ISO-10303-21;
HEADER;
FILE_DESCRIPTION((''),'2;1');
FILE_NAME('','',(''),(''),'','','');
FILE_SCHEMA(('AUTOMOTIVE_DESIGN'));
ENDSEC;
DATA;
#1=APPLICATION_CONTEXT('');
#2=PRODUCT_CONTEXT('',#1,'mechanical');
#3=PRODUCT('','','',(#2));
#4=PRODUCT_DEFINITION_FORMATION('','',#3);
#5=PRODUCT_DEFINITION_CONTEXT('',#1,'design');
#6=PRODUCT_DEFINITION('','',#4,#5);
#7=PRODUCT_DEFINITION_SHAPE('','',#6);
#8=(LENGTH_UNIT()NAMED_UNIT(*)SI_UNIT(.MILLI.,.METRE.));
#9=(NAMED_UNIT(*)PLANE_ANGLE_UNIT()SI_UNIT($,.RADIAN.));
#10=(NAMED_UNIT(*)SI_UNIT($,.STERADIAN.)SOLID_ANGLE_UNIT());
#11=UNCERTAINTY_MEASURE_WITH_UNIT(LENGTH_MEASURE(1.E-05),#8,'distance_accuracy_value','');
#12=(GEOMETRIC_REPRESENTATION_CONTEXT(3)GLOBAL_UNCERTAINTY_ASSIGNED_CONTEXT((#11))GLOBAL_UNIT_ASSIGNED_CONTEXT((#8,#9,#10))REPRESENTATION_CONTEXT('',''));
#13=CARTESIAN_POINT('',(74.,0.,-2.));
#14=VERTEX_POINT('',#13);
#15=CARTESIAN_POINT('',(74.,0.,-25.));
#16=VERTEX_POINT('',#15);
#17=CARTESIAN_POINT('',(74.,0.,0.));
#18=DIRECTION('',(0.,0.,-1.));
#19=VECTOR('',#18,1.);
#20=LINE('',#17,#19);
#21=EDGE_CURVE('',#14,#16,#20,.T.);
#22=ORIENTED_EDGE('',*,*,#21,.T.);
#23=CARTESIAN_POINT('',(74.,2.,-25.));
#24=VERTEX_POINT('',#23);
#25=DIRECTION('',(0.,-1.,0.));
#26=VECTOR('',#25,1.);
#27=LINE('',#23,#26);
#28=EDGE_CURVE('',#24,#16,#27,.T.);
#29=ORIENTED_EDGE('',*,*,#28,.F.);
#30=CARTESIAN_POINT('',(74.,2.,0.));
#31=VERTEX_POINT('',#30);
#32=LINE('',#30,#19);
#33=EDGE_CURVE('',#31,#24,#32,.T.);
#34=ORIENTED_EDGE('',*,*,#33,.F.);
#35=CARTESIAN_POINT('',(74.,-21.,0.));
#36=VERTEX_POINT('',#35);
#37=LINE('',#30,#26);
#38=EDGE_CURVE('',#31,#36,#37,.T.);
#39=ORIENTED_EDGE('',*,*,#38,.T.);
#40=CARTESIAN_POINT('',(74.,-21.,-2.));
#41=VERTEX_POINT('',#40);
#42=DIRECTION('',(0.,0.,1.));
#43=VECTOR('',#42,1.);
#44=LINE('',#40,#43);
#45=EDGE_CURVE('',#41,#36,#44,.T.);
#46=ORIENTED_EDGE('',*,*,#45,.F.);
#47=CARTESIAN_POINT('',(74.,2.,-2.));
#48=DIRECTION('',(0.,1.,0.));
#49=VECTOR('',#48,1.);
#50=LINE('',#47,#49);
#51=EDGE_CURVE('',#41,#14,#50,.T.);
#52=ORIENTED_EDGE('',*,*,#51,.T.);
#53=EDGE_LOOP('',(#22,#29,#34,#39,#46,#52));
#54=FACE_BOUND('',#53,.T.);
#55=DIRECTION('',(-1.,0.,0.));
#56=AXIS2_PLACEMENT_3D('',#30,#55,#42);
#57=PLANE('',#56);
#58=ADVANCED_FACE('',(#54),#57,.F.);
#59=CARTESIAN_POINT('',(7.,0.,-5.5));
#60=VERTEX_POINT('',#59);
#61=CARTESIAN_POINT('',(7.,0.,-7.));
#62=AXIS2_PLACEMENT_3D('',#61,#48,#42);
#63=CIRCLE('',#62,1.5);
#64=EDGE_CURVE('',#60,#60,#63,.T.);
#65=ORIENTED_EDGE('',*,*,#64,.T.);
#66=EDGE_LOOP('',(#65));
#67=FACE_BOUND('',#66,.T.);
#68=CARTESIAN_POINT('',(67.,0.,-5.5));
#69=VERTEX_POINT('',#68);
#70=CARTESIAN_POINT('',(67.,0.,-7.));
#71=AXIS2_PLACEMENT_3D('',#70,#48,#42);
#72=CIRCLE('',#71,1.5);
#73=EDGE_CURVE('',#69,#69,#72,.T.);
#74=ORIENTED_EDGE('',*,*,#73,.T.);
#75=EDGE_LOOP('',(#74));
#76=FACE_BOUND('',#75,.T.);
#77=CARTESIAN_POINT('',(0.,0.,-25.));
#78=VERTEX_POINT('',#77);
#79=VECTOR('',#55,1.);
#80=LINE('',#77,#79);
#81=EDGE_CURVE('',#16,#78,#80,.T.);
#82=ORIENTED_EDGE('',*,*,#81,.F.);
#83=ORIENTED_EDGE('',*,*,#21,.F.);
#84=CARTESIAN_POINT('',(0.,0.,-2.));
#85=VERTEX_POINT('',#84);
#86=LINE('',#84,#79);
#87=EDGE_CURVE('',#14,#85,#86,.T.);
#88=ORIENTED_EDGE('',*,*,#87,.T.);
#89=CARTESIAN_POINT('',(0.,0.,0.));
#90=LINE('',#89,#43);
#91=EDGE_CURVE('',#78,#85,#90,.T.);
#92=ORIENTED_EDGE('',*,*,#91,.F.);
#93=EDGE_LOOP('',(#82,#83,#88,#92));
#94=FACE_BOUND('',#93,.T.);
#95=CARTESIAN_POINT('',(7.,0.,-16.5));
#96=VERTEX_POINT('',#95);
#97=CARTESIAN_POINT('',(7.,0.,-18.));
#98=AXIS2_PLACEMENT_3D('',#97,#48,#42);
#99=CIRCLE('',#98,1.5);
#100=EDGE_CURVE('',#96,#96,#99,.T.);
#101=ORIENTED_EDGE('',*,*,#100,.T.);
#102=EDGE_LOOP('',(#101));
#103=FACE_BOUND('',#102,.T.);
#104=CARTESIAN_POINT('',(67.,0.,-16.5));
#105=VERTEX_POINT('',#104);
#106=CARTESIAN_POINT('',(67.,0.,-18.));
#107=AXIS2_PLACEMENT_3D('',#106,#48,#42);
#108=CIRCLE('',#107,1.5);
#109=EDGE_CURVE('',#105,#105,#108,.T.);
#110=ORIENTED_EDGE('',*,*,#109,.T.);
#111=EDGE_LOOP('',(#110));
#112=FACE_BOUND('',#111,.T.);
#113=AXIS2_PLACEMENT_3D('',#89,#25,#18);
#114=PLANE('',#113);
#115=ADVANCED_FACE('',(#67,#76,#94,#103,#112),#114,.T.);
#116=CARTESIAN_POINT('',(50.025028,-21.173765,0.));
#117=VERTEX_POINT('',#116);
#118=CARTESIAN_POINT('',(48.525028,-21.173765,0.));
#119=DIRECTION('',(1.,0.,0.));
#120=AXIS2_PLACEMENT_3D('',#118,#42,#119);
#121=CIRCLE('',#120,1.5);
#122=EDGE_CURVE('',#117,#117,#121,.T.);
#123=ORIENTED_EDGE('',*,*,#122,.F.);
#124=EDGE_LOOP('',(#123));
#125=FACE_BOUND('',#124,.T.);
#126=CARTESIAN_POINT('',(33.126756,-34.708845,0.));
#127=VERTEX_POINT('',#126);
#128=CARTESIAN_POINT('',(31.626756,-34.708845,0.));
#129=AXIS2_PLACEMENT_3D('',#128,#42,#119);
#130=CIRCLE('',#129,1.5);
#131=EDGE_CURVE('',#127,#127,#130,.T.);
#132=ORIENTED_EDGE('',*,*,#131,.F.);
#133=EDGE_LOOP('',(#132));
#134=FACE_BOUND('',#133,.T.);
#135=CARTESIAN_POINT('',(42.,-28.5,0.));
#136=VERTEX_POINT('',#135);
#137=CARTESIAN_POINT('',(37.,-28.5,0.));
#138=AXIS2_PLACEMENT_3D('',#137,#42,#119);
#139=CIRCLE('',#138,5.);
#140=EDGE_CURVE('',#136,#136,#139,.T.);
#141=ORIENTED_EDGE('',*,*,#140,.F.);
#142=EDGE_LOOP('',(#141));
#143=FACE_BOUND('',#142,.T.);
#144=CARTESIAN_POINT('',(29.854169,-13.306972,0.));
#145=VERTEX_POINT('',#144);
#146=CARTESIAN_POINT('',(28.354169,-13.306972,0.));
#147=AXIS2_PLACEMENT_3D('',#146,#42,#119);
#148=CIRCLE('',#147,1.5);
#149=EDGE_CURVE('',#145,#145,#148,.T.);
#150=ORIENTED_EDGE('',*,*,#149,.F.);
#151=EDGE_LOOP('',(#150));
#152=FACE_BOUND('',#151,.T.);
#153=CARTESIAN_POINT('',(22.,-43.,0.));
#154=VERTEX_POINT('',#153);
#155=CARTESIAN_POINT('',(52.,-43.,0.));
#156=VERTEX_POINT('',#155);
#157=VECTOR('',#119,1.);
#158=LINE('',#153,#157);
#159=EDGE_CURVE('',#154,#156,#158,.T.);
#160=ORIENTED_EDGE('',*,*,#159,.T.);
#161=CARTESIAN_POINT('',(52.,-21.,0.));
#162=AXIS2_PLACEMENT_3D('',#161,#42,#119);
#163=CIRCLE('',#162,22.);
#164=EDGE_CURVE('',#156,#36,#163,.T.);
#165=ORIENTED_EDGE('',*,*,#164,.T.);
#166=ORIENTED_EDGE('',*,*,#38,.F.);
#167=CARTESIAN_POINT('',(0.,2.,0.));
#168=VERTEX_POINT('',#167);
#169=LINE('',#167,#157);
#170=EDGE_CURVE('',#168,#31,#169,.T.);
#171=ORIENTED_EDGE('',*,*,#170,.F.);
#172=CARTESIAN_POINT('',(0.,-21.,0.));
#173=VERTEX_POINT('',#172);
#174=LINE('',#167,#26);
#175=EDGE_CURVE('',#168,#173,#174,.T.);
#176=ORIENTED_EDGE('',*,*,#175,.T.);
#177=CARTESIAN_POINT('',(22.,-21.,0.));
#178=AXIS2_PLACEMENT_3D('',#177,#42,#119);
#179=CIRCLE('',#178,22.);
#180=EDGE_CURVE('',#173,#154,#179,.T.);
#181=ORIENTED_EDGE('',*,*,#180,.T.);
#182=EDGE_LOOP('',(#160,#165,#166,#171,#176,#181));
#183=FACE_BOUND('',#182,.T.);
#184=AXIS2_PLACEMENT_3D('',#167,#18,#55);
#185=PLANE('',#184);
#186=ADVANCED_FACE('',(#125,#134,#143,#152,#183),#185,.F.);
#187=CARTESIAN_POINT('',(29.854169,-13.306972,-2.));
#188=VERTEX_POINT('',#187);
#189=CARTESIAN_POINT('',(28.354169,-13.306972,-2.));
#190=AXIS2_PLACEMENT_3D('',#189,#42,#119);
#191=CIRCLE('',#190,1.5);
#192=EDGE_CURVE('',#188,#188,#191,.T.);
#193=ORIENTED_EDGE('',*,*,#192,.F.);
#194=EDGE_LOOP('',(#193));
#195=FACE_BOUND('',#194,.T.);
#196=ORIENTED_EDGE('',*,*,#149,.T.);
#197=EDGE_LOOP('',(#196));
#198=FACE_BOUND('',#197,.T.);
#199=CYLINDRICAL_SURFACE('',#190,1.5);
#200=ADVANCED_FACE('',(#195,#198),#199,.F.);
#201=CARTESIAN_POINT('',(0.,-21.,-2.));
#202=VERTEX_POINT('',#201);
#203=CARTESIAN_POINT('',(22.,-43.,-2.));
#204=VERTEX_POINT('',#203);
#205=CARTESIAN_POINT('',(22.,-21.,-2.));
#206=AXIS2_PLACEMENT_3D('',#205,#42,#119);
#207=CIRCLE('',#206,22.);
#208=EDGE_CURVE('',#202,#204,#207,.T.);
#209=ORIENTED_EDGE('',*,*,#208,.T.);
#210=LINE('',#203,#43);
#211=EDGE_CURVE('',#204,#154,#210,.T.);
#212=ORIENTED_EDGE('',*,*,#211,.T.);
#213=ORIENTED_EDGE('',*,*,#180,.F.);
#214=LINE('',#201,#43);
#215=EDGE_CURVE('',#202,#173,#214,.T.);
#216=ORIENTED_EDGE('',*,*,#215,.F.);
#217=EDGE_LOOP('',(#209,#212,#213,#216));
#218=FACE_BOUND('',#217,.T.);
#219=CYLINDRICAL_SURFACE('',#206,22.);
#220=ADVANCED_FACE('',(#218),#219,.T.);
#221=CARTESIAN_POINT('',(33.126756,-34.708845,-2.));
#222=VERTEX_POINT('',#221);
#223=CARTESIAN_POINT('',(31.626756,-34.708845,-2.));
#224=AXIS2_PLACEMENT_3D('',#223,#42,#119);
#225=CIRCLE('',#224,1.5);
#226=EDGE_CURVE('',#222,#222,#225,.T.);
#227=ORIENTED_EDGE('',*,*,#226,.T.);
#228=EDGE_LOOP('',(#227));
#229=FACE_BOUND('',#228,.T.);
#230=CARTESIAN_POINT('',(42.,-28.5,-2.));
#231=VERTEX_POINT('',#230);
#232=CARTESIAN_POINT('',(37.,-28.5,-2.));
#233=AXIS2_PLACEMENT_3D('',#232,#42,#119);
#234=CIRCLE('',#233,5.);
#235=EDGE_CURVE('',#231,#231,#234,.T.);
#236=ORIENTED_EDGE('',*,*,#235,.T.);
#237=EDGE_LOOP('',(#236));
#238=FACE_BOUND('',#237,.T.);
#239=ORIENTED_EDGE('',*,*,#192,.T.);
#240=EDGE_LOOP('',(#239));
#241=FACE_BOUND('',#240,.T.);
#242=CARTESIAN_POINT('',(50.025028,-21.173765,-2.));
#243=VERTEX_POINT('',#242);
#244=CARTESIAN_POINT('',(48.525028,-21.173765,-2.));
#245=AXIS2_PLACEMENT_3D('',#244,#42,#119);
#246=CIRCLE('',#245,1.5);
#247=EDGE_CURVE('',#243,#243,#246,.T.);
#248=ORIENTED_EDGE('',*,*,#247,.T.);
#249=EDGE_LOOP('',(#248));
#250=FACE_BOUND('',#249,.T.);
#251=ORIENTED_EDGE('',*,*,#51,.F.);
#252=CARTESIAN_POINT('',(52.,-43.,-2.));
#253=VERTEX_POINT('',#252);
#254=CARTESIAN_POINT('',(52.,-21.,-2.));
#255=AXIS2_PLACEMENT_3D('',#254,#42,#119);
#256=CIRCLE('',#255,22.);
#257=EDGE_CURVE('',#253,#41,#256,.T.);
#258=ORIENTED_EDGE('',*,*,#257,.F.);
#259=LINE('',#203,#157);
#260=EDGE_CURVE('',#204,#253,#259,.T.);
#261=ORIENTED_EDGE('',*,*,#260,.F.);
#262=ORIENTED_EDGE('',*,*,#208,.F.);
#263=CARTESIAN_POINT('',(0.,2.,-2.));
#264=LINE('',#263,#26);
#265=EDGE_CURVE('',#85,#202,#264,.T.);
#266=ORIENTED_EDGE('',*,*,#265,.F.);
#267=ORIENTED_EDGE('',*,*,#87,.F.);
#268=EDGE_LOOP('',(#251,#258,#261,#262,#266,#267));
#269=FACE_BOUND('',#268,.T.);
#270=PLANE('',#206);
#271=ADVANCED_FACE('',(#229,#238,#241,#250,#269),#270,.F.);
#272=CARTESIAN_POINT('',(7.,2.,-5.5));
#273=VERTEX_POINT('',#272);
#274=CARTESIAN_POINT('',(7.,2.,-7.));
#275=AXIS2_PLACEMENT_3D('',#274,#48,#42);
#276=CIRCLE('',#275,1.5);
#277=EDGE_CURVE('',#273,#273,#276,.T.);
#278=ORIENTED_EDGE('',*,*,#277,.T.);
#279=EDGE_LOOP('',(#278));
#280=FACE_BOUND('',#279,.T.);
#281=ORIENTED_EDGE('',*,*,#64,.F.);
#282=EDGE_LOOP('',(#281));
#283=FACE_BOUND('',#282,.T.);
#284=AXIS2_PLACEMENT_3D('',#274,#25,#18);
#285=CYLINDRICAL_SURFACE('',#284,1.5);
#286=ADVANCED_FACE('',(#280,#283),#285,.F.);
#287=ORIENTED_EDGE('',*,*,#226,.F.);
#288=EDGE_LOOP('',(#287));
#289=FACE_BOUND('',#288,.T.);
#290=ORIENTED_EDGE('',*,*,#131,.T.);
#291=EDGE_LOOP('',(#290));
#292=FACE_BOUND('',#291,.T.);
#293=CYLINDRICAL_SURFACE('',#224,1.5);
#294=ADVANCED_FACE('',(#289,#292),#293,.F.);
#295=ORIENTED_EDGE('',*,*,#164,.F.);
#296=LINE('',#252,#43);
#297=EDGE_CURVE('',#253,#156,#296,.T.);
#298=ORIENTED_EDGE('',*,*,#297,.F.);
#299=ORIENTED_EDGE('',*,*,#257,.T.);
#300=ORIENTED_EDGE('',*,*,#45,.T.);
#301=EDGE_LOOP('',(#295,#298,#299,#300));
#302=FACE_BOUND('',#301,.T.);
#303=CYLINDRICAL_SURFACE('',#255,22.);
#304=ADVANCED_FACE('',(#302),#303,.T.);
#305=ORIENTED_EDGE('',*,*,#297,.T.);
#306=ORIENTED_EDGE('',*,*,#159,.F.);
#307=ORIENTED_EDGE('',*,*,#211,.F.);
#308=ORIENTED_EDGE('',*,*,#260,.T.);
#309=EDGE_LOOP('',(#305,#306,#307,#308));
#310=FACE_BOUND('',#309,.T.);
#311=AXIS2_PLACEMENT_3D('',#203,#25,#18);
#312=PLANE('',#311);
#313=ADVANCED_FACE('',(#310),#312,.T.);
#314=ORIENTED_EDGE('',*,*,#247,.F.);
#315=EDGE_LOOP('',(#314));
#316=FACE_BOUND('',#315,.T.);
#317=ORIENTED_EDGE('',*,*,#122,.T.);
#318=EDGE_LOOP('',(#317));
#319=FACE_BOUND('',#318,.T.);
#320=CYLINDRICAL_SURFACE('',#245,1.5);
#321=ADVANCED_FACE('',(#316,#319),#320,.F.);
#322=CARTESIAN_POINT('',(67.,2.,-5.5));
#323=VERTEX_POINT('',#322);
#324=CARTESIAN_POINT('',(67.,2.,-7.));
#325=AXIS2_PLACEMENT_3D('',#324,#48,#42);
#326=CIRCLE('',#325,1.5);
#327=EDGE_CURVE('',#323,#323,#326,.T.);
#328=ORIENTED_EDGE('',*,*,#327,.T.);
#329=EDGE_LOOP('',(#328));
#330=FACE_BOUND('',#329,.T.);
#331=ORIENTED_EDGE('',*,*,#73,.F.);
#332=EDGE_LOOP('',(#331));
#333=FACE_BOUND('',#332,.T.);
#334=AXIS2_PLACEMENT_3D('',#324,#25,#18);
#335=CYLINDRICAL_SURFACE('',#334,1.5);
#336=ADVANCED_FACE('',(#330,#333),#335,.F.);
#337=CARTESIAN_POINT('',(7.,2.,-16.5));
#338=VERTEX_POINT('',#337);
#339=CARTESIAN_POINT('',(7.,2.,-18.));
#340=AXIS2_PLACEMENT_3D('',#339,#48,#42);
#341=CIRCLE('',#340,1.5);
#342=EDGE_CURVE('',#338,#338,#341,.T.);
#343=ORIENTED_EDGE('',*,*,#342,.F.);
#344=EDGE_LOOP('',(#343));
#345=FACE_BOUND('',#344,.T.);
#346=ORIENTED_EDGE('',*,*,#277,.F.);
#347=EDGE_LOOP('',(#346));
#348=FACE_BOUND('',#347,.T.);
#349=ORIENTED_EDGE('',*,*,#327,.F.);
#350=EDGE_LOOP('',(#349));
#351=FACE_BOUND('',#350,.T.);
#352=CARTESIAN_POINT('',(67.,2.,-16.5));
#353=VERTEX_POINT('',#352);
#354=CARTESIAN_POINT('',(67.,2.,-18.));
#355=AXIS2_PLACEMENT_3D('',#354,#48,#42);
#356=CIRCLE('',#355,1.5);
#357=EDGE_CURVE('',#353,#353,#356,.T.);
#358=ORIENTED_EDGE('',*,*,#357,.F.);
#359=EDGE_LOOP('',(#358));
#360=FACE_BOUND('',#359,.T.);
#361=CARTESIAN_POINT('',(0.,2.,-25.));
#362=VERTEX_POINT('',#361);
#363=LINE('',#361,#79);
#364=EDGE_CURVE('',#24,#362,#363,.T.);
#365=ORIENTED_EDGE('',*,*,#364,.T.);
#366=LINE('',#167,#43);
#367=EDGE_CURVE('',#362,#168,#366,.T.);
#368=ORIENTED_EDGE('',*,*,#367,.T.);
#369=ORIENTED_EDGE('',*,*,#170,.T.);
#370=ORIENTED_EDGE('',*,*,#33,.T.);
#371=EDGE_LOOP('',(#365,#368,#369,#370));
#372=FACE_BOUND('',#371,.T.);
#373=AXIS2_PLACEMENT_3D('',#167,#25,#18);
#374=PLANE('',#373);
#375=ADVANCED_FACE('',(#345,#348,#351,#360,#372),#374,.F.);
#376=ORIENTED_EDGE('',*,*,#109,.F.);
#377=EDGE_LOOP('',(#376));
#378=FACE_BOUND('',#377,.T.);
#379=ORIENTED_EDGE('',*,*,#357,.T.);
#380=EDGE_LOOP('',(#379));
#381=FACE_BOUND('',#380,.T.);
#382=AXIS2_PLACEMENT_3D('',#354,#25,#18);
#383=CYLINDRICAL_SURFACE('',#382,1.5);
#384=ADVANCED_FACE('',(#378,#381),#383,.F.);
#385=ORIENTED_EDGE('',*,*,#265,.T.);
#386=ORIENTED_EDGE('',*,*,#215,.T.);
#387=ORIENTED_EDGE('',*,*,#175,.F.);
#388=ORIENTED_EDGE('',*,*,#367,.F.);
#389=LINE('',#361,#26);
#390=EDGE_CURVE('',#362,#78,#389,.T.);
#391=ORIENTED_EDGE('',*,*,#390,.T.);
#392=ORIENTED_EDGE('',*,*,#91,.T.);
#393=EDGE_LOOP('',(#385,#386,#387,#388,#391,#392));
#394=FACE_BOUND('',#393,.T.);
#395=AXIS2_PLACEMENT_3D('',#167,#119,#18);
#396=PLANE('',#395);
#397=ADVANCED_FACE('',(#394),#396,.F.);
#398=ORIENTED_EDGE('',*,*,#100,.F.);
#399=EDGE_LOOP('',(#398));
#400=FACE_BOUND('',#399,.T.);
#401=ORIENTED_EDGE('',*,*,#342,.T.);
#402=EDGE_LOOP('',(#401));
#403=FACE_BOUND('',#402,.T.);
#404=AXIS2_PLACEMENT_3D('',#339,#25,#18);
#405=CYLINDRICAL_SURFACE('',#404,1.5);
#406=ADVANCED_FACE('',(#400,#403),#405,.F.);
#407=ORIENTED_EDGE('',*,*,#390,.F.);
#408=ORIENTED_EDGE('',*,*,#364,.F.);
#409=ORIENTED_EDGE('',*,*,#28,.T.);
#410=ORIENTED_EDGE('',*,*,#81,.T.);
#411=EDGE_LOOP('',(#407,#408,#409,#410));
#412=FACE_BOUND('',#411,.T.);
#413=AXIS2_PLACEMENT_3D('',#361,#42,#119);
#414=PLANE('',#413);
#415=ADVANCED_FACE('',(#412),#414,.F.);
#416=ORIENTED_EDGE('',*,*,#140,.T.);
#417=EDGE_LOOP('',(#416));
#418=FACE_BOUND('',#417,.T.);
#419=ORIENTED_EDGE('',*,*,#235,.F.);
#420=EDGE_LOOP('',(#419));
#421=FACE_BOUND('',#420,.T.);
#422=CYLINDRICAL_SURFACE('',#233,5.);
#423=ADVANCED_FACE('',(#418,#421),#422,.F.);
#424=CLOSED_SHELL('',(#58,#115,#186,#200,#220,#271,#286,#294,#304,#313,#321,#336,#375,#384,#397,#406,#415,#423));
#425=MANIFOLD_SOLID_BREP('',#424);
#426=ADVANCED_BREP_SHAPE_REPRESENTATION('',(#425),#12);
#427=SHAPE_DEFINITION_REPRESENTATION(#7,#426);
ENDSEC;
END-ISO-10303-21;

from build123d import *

# Parameters (mm, degrees)
SKETCH_1_W      = 74
SKETCH_1_H      = 25
SKETCH_1_R      = 1.5
EXTRUDE_1_DEPTH = 2
SKETCH_2_R      = 5
SKETCH_2_R_2    = 1.5
EXTRUDE_2_DEPTH = 2


with BuildPart() as part:
    # Эскиз1 → Бобышка-Вытянуть1 (new body)
    with BuildSketch(Plane(origin=(0, 0, 0), x_dir=(1, 0, 0), z_dir=(0, 1, 0))):
        with Locations((37, 12.5)):
            Rectangle(SKETCH_1_W, SKETCH_1_H)
        with Locations((7, 18)):
            Circle(SKETCH_1_R, mode=Mode.SUBTRACT)
        with Locations((67, 18)):
            Circle(SKETCH_1_R, mode=Mode.SUBTRACT)
        with Locations((7, 7)):
            Circle(SKETCH_1_R, mode=Mode.SUBTRACT)
        with Locations((67, 7)):
            Circle(SKETCH_1_R, mode=Mode.SUBTRACT)
    extrude(amount=EXTRUDE_1_DEPTH)

    # Эскиз2 → Бобышка-Вытянуть2 (add)
    with BuildSketch(Plane.XY):
        with BuildLine():
            Line((0, 2), (74, 2))
            Line((74, 2), (74, -21))
            ThreePointArc((74, -21), (67.556349186, -36.556349186), (52, -43))
            Line((52, -43), (22, -43))
            ThreePointArc((22, -43), (6.443650814, -36.556349186), (0, -21))
            Line((0, -21), (0, 2))
        make_face()
        with Locations((37, -28.5)):
            Circle(SKETCH_2_R, mode=Mode.SUBTRACT)
        with Locations((28.354168617, -13.306972233)):
            Circle(SKETCH_2_R_2, mode=Mode.SUBTRACT)
        with Locations((48.525028222, -21.173764644)):
            Circle(SKETCH_2_R_2, mode=Mode.SUBTRACT)
        with Locations((31.626756345, -34.708845272)):
            Circle(SKETCH_2_R_2, mode=Mode.SUBTRACT)
    extrude(amount=-EXTRUDE_2_DEPTH)


solid = part.part
